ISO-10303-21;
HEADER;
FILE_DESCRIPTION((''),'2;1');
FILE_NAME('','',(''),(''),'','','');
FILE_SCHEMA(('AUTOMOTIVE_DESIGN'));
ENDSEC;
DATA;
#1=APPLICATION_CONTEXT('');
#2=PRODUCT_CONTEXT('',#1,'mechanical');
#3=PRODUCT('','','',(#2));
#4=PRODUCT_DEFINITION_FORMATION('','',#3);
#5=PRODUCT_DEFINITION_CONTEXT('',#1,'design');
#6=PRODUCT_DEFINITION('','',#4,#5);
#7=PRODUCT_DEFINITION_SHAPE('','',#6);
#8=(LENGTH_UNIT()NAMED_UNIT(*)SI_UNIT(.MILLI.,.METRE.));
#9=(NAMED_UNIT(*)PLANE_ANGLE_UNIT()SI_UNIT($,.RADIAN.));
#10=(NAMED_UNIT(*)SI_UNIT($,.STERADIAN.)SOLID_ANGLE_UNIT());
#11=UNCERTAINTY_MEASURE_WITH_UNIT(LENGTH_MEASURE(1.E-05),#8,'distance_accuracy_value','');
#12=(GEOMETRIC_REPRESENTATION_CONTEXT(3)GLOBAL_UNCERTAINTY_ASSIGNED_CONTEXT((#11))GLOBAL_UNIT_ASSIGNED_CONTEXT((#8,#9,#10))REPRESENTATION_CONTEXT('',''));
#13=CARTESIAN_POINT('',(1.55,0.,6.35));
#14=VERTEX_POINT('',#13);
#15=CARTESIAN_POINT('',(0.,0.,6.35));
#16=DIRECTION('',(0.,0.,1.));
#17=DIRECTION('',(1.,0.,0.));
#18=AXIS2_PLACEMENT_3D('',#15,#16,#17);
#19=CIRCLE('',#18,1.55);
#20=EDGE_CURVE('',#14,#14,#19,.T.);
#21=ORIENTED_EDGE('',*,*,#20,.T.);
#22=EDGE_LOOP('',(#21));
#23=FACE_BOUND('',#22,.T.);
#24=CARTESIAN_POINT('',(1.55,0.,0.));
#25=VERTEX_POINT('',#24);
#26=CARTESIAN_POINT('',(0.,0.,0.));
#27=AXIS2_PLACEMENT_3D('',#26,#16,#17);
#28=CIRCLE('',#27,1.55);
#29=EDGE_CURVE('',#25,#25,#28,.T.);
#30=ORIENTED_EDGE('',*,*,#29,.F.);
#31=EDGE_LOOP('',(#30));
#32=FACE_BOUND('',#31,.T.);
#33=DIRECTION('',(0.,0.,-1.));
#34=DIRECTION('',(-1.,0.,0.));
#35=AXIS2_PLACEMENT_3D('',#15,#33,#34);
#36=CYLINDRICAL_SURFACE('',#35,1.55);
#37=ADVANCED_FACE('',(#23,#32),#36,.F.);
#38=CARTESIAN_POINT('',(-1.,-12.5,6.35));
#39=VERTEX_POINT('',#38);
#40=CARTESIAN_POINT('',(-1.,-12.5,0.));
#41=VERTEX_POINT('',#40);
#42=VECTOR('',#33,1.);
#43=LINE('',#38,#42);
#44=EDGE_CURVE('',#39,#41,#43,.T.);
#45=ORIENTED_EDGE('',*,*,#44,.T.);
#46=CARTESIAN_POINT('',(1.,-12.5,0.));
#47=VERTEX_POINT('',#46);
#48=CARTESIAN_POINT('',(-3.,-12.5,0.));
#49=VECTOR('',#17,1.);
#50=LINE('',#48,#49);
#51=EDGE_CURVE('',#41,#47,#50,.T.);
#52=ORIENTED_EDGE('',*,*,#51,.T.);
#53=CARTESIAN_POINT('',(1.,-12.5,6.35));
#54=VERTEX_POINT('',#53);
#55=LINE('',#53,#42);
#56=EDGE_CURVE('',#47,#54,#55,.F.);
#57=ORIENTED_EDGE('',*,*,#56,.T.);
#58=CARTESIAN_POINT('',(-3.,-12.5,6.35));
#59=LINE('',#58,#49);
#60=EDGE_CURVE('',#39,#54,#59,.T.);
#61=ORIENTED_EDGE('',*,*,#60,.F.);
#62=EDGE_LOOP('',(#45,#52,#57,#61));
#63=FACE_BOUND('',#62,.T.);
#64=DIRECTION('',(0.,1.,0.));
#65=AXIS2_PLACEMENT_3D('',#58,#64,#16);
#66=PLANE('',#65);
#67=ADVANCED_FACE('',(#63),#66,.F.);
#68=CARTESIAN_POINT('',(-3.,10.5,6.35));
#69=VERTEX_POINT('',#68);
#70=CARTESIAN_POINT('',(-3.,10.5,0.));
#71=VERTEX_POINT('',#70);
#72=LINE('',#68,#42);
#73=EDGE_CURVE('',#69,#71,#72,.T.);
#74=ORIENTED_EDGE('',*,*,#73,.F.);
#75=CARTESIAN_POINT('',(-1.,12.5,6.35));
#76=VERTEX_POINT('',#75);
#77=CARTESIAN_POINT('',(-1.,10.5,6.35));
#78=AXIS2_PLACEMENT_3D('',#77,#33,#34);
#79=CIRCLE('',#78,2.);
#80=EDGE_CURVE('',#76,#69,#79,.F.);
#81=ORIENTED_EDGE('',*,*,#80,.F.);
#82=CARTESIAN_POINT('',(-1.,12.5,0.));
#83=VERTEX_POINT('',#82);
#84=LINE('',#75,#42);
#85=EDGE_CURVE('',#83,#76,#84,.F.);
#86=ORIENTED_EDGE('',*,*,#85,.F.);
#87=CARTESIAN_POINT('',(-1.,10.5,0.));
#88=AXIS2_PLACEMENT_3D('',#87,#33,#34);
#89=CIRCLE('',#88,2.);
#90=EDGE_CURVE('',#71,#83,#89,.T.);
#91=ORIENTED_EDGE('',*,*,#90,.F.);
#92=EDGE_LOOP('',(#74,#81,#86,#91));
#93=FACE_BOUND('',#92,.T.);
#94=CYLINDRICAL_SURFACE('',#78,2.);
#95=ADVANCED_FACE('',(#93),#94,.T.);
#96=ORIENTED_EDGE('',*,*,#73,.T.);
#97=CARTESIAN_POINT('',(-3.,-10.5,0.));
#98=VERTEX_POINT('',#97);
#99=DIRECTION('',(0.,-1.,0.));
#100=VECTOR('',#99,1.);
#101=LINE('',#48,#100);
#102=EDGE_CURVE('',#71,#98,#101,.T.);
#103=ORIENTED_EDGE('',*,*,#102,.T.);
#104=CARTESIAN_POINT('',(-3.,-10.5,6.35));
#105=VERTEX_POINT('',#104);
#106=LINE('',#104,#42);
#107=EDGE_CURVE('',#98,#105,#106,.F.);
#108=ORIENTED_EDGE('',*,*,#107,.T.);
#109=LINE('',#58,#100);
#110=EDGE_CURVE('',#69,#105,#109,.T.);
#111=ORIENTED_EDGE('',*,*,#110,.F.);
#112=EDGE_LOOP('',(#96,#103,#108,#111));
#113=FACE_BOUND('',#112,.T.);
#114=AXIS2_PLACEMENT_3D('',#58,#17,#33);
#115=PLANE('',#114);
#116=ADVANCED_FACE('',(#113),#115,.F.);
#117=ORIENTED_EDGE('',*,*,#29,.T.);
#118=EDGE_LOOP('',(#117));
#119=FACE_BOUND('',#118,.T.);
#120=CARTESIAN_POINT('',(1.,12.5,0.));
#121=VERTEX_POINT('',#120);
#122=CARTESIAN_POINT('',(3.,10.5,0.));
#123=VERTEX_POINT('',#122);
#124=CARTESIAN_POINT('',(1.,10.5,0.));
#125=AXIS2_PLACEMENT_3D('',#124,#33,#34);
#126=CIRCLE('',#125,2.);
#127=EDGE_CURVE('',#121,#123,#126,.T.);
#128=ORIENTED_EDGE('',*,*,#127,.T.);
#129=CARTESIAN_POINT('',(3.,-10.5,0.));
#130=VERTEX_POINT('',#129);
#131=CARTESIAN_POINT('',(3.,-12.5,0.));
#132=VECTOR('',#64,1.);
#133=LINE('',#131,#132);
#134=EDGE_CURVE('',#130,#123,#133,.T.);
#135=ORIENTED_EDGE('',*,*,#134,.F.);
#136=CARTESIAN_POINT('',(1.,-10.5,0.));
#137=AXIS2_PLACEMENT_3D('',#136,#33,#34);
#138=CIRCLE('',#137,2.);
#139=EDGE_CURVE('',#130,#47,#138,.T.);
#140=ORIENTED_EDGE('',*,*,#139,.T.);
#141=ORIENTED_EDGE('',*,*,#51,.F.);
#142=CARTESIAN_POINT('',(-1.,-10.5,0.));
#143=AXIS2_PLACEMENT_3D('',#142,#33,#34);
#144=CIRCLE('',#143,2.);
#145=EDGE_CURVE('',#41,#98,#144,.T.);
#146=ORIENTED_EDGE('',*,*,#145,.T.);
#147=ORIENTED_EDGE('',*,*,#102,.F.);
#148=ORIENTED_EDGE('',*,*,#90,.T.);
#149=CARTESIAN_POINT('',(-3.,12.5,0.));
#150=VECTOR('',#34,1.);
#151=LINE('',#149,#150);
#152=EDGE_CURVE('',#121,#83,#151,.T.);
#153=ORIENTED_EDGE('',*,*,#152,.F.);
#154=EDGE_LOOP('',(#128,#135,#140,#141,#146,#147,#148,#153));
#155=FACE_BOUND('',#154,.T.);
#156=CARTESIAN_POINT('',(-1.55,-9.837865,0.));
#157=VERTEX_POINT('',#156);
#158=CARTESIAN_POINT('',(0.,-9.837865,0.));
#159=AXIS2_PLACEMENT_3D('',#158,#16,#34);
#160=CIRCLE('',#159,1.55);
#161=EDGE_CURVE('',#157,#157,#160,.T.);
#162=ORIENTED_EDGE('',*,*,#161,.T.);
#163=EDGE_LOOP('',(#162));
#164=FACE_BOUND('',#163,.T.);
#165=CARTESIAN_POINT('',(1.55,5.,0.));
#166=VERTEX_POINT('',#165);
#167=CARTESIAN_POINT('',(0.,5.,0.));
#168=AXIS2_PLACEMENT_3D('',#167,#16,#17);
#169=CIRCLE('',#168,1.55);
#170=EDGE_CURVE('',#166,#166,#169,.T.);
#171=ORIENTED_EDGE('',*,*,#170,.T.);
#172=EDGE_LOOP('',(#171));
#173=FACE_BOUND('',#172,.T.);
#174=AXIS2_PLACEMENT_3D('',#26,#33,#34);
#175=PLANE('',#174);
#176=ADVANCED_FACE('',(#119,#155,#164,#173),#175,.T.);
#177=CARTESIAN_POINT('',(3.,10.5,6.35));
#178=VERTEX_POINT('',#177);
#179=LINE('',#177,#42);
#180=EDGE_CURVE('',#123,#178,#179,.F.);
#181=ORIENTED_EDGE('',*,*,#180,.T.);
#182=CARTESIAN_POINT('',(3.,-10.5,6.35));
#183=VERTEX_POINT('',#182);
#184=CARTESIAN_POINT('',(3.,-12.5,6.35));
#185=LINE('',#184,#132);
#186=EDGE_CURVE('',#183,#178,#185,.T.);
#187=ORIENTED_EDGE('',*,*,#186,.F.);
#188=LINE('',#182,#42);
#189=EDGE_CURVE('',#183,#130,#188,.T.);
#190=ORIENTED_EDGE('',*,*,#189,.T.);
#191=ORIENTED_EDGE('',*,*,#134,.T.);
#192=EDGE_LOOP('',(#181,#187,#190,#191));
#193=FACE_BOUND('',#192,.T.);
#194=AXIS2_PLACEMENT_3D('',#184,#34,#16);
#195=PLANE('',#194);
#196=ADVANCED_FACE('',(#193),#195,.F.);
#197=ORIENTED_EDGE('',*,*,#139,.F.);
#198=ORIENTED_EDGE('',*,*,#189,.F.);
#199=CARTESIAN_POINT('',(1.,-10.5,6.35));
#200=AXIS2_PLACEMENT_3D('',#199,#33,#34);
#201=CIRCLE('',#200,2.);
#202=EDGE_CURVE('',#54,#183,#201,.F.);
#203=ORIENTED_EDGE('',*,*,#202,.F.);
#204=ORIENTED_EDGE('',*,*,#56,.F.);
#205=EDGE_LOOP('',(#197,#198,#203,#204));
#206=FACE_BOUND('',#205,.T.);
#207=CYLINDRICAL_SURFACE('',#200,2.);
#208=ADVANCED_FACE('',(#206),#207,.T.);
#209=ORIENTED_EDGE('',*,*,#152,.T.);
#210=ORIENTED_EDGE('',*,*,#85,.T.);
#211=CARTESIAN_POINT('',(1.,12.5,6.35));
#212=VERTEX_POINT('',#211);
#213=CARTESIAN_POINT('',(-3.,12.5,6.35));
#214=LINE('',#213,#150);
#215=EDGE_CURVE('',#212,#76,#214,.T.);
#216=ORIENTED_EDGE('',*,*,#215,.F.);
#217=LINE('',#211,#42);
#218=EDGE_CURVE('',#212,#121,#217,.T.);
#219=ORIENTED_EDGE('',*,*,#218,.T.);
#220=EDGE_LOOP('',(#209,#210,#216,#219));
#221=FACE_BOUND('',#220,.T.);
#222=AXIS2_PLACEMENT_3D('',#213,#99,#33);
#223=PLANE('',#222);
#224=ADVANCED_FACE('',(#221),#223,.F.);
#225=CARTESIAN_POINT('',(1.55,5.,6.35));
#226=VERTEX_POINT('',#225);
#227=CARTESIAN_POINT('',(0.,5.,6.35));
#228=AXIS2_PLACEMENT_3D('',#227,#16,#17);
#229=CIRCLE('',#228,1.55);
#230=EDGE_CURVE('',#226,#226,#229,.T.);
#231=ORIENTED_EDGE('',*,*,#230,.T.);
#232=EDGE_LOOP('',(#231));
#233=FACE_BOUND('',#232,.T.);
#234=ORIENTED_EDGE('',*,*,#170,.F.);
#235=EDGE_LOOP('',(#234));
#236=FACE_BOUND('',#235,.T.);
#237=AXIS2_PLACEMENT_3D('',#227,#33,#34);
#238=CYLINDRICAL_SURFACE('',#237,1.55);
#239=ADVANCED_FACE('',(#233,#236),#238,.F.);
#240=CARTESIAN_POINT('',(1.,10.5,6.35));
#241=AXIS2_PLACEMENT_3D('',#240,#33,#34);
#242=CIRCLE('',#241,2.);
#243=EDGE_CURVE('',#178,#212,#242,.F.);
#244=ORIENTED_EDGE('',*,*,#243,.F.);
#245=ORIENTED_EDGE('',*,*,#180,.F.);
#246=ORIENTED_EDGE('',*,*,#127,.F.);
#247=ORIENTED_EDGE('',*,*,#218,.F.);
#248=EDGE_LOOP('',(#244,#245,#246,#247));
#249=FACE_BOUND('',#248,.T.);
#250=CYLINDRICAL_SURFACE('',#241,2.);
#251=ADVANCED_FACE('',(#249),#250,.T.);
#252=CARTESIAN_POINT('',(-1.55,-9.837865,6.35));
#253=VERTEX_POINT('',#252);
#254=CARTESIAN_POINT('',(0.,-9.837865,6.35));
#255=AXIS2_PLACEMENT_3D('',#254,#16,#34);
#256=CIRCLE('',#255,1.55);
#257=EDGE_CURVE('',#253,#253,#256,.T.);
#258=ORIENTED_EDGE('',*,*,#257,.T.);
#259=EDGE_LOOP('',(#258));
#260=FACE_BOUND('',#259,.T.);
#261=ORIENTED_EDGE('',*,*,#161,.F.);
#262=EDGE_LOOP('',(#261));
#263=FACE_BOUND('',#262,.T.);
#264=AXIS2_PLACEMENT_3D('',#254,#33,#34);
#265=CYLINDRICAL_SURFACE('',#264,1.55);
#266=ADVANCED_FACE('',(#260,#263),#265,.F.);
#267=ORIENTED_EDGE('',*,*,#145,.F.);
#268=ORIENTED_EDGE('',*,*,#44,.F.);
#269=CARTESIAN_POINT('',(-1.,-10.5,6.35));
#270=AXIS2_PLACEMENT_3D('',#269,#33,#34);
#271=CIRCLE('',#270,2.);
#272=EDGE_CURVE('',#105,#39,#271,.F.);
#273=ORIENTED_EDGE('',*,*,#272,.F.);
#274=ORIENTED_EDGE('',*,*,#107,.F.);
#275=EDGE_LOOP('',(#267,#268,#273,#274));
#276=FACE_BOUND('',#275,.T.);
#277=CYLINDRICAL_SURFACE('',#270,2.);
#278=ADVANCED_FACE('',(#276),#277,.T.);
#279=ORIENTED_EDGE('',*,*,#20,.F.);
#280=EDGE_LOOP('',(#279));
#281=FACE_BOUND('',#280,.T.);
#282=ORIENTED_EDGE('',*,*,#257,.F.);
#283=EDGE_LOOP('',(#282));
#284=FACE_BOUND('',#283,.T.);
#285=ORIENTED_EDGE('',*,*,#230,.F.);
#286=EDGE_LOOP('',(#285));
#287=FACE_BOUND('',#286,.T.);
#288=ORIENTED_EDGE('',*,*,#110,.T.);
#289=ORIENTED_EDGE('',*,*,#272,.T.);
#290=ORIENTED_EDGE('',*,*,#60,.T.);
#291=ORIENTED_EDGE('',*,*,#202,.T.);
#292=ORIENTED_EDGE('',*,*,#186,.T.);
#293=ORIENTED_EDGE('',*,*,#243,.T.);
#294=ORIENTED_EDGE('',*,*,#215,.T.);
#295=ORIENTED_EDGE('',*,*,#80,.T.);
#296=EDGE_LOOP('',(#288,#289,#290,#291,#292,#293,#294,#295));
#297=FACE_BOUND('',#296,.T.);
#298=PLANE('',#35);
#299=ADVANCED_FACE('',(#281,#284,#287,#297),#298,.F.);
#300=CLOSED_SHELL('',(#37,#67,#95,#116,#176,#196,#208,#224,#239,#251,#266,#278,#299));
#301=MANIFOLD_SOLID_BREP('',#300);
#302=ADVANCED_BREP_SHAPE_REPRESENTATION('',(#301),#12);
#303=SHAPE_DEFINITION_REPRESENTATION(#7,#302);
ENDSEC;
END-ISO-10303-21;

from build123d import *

# Parameters (mm, degrees)
ESQUISSE1_W        = 6
ESQUISSE1_H        = 25
ESQUISSE1_R        = 1.55
BOSS_EXTRU_1_DEPTH = 6.35
CONG_1_R           = 2


with BuildPart() as part:
    # Esquisse1 → Boss.-Extru.1 (new body)
    with BuildSketch(Plane.XY):
        Rectangle(ESQUISSE1_W, ESQUISSE1_H)
        with Locations(Location((0, -9.837865065, 0), (0, 0, 180))):
            Circle(ESQUISSE1_R, mode=Mode.SUBTRACT)
        Circle(ESQUISSE1_R, mode=Mode.SUBTRACT)
        with Locations((0, 5)):
            Circle(ESQUISSE1_R, mode=Mode.SUBTRACT)
    extrude(amount=BOSS_EXTRU_1_DEPTH)

    # Congé1
    cong_1_edges = [part.edges().sort_by_distance(p)[0] for p in [
        (3, -12.5, 3.175),
        (-3, -12.5, 3.175),
        (-3, 12.5, 3.175),
        (3, 12.5, 3.175),
    ]]
    fillet(cong_1_edges, radius=CONG_1_R)


solid = part.part
